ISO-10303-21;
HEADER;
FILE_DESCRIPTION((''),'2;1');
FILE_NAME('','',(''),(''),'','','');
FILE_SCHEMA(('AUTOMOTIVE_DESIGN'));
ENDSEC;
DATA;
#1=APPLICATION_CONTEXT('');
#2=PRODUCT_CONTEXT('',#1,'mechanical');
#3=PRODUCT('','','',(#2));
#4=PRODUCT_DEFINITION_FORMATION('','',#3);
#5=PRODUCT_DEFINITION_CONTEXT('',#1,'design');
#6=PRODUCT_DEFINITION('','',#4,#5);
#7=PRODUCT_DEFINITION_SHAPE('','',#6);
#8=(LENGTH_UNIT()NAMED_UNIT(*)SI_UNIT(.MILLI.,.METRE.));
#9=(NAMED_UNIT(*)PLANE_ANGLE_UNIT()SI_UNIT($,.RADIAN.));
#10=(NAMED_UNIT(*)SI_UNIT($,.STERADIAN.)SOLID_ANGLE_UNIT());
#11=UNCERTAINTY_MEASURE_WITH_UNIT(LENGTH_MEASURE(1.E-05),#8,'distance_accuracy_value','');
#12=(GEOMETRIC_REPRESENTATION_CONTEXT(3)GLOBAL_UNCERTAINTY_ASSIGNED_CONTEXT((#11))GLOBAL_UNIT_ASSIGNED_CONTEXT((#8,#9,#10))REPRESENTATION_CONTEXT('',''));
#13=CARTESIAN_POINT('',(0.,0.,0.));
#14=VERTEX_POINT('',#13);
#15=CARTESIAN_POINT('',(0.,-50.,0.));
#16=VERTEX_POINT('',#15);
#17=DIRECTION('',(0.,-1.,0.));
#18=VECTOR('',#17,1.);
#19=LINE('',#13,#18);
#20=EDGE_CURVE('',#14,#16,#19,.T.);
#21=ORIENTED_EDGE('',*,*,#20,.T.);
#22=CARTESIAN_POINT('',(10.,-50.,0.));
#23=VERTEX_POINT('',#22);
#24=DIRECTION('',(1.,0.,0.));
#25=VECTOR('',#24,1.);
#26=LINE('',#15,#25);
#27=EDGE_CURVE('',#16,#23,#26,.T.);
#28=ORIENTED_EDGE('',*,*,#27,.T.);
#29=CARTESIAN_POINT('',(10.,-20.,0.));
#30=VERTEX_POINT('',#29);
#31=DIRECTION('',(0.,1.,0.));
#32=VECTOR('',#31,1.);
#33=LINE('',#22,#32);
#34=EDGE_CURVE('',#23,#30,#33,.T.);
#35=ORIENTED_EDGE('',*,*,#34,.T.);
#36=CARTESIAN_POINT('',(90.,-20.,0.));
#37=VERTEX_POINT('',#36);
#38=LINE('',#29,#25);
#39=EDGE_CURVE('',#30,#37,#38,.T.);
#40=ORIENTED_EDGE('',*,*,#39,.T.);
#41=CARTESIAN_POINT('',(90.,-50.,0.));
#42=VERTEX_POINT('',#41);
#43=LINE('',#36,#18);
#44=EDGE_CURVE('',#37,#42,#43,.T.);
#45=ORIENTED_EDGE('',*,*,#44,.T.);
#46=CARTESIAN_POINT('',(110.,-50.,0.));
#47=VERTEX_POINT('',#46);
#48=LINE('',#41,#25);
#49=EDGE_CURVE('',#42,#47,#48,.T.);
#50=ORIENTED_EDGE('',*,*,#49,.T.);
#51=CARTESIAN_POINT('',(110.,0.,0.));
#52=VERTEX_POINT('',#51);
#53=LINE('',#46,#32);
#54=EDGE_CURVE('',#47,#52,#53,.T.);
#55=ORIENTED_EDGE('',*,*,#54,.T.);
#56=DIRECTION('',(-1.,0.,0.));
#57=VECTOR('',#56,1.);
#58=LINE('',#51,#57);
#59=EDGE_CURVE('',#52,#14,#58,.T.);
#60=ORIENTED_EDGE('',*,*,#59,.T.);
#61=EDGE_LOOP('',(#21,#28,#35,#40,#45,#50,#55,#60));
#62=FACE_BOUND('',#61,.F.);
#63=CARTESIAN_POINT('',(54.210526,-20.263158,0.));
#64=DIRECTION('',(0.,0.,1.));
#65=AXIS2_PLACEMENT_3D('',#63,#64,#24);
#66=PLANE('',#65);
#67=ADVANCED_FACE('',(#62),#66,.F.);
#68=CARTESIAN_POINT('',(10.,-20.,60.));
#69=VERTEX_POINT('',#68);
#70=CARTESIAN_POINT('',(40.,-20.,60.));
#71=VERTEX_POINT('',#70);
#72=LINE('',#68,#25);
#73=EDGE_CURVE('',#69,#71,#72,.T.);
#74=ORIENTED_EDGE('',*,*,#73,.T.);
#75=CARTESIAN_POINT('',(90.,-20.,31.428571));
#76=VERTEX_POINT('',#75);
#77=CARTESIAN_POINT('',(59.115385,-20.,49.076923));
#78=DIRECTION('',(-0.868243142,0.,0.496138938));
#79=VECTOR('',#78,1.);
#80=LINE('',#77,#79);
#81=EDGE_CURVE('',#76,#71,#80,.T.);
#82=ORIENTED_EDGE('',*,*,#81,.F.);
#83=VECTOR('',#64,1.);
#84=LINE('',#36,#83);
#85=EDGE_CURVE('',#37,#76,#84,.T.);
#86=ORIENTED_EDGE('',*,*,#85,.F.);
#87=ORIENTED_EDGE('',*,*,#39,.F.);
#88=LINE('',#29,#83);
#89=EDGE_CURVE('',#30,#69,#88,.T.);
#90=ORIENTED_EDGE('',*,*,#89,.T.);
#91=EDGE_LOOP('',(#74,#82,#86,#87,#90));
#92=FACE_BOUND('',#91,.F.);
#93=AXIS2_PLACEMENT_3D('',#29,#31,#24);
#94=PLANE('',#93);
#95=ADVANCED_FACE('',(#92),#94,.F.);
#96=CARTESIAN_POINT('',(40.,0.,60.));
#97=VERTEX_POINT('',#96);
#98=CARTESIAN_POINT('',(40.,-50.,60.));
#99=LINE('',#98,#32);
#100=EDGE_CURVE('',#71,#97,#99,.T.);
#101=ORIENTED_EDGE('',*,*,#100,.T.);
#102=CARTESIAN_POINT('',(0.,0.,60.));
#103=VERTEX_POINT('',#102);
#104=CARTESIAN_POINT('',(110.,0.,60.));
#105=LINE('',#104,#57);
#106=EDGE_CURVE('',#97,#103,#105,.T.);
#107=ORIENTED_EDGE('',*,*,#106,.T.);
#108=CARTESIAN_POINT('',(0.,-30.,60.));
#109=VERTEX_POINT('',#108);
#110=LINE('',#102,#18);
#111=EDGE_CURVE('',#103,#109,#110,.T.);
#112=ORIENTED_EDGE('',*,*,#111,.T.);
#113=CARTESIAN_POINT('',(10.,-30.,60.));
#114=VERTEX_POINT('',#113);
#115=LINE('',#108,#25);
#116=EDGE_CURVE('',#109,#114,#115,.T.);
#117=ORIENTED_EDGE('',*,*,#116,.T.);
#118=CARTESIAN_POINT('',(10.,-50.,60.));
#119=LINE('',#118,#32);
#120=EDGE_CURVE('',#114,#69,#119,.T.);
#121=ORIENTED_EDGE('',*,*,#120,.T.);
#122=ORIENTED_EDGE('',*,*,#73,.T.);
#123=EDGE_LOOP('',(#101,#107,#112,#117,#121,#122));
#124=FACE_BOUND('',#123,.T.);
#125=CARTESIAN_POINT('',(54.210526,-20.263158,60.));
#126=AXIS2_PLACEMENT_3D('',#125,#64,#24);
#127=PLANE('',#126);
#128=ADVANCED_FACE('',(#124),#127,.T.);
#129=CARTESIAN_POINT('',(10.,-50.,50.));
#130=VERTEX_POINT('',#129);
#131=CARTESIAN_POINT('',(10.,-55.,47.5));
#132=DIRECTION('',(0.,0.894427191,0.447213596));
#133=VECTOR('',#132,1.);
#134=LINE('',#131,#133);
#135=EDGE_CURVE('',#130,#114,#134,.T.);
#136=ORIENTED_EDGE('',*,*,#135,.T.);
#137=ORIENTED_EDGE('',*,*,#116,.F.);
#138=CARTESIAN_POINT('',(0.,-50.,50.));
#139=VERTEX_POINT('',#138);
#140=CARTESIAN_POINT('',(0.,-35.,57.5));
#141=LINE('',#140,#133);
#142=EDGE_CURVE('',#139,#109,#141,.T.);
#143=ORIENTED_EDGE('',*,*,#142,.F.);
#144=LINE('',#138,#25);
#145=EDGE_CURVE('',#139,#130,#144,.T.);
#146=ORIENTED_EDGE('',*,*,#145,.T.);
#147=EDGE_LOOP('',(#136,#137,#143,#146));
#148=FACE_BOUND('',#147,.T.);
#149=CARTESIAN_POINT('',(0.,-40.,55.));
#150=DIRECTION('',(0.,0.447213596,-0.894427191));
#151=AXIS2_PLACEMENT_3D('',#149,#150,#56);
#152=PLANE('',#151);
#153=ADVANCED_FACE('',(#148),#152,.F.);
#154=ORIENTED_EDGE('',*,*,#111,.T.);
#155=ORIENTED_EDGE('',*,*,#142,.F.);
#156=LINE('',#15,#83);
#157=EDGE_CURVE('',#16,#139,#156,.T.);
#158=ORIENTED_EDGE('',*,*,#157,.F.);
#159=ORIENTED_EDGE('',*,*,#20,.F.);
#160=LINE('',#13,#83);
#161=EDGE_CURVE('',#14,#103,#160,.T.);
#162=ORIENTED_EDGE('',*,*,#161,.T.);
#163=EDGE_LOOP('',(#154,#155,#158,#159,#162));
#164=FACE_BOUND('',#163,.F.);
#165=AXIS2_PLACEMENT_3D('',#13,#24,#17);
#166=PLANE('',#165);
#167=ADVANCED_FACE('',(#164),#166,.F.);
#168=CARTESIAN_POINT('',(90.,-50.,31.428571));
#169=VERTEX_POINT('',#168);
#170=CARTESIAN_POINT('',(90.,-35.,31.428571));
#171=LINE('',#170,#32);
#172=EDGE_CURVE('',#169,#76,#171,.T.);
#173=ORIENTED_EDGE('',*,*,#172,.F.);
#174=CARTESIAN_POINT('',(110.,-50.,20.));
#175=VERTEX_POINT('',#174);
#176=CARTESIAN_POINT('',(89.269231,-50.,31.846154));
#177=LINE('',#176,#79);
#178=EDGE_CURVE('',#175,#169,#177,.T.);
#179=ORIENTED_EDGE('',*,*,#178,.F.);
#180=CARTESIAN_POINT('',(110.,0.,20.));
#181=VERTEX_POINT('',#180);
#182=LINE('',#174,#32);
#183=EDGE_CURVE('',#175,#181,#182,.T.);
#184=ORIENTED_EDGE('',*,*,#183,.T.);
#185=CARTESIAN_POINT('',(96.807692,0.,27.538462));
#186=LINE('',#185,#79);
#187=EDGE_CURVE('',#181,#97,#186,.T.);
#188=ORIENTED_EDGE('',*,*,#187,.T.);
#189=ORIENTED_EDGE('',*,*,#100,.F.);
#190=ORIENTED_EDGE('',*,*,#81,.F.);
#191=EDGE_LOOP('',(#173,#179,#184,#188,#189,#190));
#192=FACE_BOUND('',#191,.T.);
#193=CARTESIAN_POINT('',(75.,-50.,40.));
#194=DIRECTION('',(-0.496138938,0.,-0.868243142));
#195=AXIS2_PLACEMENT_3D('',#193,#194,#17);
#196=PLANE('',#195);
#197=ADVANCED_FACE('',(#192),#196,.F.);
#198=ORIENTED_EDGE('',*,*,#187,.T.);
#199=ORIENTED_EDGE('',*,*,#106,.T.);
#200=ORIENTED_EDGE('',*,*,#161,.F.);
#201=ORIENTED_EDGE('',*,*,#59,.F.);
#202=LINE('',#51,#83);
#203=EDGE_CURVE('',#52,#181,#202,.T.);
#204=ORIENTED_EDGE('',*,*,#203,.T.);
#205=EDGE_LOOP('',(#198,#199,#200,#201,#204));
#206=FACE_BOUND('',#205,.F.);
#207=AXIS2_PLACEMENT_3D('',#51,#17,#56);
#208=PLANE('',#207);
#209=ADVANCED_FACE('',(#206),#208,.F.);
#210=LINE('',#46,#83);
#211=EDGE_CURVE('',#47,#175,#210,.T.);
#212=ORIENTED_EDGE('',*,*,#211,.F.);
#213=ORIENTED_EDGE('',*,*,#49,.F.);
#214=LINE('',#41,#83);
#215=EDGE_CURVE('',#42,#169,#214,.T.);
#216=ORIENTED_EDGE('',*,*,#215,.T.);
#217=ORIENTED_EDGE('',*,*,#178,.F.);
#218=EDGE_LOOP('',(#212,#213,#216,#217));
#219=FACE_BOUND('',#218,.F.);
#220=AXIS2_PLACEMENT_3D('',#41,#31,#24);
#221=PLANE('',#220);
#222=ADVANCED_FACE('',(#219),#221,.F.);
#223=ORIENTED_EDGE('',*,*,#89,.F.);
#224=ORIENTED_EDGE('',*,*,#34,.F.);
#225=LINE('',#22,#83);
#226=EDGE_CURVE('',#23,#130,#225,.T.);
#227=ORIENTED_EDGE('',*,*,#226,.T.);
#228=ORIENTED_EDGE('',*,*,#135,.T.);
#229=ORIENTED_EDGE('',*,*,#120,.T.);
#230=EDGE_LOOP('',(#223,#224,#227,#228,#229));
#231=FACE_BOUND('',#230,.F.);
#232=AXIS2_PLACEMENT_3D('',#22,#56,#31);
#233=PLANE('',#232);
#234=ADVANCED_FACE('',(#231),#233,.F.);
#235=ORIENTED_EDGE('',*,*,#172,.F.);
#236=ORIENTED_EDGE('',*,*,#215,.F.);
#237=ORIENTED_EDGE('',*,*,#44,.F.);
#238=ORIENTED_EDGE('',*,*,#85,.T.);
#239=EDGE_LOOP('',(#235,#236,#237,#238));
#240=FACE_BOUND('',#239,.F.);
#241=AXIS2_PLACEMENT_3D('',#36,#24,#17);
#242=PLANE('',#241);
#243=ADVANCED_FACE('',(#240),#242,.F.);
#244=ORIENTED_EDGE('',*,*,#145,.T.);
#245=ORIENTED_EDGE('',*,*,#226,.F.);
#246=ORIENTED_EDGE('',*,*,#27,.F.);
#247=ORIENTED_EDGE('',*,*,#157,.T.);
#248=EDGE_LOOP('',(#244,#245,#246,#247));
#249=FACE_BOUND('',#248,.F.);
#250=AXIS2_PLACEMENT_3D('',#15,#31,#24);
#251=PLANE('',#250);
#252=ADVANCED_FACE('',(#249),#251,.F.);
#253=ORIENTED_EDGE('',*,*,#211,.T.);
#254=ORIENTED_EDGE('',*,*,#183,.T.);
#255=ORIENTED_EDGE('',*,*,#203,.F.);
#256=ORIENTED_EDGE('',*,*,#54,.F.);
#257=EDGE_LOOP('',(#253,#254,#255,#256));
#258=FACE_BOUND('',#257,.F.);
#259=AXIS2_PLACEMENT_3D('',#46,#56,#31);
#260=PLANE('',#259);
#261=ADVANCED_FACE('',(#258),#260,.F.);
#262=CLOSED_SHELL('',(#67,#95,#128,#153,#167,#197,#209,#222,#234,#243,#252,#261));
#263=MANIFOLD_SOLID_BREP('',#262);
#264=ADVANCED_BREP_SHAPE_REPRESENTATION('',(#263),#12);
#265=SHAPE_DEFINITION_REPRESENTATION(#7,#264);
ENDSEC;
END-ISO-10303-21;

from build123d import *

# Parameters (mm, degrees)
F1_DEPTH = 60
F2_SIZE2 = 20
F2_SIZE  = 10
F3_SIZE2 = 70
F3_SIZE  = 40


with BuildPart() as f1:
    # F0 (on Top) → F1 (new body)
    with BuildSketch(Plane.XY):
        Polygon((110, 0), (0, 0), (0, -50), (10, -50), (10, -20), (90, -20), (90, -50), (110, -50), align=None)
    extrude(amount=F1_DEPTH)

    # F2
    f2_edges = [f1.edges().sort_by_distance(p)[0] for p in [
        (5, -50, 60),
    ]]
    f2_side = f1.faces().sort_by_distance((5, -50, 30))[0]
    chamfer(f2_edges, length=F2_SIZE, length2=F2_SIZE2, reference=f2_side)

    # F3
    f3_edges = [f1.edges().sort_by_distance(p)[0] for p in [
        (110, -25, 60),
    ]]
    f3_side = f1.faces().sort_by_distance((110, -25, 30))[0]
    chamfer(f3_edges, length=F3_SIZE, length2=F3_SIZE2, reference=f3_side)


solid = f1.part
